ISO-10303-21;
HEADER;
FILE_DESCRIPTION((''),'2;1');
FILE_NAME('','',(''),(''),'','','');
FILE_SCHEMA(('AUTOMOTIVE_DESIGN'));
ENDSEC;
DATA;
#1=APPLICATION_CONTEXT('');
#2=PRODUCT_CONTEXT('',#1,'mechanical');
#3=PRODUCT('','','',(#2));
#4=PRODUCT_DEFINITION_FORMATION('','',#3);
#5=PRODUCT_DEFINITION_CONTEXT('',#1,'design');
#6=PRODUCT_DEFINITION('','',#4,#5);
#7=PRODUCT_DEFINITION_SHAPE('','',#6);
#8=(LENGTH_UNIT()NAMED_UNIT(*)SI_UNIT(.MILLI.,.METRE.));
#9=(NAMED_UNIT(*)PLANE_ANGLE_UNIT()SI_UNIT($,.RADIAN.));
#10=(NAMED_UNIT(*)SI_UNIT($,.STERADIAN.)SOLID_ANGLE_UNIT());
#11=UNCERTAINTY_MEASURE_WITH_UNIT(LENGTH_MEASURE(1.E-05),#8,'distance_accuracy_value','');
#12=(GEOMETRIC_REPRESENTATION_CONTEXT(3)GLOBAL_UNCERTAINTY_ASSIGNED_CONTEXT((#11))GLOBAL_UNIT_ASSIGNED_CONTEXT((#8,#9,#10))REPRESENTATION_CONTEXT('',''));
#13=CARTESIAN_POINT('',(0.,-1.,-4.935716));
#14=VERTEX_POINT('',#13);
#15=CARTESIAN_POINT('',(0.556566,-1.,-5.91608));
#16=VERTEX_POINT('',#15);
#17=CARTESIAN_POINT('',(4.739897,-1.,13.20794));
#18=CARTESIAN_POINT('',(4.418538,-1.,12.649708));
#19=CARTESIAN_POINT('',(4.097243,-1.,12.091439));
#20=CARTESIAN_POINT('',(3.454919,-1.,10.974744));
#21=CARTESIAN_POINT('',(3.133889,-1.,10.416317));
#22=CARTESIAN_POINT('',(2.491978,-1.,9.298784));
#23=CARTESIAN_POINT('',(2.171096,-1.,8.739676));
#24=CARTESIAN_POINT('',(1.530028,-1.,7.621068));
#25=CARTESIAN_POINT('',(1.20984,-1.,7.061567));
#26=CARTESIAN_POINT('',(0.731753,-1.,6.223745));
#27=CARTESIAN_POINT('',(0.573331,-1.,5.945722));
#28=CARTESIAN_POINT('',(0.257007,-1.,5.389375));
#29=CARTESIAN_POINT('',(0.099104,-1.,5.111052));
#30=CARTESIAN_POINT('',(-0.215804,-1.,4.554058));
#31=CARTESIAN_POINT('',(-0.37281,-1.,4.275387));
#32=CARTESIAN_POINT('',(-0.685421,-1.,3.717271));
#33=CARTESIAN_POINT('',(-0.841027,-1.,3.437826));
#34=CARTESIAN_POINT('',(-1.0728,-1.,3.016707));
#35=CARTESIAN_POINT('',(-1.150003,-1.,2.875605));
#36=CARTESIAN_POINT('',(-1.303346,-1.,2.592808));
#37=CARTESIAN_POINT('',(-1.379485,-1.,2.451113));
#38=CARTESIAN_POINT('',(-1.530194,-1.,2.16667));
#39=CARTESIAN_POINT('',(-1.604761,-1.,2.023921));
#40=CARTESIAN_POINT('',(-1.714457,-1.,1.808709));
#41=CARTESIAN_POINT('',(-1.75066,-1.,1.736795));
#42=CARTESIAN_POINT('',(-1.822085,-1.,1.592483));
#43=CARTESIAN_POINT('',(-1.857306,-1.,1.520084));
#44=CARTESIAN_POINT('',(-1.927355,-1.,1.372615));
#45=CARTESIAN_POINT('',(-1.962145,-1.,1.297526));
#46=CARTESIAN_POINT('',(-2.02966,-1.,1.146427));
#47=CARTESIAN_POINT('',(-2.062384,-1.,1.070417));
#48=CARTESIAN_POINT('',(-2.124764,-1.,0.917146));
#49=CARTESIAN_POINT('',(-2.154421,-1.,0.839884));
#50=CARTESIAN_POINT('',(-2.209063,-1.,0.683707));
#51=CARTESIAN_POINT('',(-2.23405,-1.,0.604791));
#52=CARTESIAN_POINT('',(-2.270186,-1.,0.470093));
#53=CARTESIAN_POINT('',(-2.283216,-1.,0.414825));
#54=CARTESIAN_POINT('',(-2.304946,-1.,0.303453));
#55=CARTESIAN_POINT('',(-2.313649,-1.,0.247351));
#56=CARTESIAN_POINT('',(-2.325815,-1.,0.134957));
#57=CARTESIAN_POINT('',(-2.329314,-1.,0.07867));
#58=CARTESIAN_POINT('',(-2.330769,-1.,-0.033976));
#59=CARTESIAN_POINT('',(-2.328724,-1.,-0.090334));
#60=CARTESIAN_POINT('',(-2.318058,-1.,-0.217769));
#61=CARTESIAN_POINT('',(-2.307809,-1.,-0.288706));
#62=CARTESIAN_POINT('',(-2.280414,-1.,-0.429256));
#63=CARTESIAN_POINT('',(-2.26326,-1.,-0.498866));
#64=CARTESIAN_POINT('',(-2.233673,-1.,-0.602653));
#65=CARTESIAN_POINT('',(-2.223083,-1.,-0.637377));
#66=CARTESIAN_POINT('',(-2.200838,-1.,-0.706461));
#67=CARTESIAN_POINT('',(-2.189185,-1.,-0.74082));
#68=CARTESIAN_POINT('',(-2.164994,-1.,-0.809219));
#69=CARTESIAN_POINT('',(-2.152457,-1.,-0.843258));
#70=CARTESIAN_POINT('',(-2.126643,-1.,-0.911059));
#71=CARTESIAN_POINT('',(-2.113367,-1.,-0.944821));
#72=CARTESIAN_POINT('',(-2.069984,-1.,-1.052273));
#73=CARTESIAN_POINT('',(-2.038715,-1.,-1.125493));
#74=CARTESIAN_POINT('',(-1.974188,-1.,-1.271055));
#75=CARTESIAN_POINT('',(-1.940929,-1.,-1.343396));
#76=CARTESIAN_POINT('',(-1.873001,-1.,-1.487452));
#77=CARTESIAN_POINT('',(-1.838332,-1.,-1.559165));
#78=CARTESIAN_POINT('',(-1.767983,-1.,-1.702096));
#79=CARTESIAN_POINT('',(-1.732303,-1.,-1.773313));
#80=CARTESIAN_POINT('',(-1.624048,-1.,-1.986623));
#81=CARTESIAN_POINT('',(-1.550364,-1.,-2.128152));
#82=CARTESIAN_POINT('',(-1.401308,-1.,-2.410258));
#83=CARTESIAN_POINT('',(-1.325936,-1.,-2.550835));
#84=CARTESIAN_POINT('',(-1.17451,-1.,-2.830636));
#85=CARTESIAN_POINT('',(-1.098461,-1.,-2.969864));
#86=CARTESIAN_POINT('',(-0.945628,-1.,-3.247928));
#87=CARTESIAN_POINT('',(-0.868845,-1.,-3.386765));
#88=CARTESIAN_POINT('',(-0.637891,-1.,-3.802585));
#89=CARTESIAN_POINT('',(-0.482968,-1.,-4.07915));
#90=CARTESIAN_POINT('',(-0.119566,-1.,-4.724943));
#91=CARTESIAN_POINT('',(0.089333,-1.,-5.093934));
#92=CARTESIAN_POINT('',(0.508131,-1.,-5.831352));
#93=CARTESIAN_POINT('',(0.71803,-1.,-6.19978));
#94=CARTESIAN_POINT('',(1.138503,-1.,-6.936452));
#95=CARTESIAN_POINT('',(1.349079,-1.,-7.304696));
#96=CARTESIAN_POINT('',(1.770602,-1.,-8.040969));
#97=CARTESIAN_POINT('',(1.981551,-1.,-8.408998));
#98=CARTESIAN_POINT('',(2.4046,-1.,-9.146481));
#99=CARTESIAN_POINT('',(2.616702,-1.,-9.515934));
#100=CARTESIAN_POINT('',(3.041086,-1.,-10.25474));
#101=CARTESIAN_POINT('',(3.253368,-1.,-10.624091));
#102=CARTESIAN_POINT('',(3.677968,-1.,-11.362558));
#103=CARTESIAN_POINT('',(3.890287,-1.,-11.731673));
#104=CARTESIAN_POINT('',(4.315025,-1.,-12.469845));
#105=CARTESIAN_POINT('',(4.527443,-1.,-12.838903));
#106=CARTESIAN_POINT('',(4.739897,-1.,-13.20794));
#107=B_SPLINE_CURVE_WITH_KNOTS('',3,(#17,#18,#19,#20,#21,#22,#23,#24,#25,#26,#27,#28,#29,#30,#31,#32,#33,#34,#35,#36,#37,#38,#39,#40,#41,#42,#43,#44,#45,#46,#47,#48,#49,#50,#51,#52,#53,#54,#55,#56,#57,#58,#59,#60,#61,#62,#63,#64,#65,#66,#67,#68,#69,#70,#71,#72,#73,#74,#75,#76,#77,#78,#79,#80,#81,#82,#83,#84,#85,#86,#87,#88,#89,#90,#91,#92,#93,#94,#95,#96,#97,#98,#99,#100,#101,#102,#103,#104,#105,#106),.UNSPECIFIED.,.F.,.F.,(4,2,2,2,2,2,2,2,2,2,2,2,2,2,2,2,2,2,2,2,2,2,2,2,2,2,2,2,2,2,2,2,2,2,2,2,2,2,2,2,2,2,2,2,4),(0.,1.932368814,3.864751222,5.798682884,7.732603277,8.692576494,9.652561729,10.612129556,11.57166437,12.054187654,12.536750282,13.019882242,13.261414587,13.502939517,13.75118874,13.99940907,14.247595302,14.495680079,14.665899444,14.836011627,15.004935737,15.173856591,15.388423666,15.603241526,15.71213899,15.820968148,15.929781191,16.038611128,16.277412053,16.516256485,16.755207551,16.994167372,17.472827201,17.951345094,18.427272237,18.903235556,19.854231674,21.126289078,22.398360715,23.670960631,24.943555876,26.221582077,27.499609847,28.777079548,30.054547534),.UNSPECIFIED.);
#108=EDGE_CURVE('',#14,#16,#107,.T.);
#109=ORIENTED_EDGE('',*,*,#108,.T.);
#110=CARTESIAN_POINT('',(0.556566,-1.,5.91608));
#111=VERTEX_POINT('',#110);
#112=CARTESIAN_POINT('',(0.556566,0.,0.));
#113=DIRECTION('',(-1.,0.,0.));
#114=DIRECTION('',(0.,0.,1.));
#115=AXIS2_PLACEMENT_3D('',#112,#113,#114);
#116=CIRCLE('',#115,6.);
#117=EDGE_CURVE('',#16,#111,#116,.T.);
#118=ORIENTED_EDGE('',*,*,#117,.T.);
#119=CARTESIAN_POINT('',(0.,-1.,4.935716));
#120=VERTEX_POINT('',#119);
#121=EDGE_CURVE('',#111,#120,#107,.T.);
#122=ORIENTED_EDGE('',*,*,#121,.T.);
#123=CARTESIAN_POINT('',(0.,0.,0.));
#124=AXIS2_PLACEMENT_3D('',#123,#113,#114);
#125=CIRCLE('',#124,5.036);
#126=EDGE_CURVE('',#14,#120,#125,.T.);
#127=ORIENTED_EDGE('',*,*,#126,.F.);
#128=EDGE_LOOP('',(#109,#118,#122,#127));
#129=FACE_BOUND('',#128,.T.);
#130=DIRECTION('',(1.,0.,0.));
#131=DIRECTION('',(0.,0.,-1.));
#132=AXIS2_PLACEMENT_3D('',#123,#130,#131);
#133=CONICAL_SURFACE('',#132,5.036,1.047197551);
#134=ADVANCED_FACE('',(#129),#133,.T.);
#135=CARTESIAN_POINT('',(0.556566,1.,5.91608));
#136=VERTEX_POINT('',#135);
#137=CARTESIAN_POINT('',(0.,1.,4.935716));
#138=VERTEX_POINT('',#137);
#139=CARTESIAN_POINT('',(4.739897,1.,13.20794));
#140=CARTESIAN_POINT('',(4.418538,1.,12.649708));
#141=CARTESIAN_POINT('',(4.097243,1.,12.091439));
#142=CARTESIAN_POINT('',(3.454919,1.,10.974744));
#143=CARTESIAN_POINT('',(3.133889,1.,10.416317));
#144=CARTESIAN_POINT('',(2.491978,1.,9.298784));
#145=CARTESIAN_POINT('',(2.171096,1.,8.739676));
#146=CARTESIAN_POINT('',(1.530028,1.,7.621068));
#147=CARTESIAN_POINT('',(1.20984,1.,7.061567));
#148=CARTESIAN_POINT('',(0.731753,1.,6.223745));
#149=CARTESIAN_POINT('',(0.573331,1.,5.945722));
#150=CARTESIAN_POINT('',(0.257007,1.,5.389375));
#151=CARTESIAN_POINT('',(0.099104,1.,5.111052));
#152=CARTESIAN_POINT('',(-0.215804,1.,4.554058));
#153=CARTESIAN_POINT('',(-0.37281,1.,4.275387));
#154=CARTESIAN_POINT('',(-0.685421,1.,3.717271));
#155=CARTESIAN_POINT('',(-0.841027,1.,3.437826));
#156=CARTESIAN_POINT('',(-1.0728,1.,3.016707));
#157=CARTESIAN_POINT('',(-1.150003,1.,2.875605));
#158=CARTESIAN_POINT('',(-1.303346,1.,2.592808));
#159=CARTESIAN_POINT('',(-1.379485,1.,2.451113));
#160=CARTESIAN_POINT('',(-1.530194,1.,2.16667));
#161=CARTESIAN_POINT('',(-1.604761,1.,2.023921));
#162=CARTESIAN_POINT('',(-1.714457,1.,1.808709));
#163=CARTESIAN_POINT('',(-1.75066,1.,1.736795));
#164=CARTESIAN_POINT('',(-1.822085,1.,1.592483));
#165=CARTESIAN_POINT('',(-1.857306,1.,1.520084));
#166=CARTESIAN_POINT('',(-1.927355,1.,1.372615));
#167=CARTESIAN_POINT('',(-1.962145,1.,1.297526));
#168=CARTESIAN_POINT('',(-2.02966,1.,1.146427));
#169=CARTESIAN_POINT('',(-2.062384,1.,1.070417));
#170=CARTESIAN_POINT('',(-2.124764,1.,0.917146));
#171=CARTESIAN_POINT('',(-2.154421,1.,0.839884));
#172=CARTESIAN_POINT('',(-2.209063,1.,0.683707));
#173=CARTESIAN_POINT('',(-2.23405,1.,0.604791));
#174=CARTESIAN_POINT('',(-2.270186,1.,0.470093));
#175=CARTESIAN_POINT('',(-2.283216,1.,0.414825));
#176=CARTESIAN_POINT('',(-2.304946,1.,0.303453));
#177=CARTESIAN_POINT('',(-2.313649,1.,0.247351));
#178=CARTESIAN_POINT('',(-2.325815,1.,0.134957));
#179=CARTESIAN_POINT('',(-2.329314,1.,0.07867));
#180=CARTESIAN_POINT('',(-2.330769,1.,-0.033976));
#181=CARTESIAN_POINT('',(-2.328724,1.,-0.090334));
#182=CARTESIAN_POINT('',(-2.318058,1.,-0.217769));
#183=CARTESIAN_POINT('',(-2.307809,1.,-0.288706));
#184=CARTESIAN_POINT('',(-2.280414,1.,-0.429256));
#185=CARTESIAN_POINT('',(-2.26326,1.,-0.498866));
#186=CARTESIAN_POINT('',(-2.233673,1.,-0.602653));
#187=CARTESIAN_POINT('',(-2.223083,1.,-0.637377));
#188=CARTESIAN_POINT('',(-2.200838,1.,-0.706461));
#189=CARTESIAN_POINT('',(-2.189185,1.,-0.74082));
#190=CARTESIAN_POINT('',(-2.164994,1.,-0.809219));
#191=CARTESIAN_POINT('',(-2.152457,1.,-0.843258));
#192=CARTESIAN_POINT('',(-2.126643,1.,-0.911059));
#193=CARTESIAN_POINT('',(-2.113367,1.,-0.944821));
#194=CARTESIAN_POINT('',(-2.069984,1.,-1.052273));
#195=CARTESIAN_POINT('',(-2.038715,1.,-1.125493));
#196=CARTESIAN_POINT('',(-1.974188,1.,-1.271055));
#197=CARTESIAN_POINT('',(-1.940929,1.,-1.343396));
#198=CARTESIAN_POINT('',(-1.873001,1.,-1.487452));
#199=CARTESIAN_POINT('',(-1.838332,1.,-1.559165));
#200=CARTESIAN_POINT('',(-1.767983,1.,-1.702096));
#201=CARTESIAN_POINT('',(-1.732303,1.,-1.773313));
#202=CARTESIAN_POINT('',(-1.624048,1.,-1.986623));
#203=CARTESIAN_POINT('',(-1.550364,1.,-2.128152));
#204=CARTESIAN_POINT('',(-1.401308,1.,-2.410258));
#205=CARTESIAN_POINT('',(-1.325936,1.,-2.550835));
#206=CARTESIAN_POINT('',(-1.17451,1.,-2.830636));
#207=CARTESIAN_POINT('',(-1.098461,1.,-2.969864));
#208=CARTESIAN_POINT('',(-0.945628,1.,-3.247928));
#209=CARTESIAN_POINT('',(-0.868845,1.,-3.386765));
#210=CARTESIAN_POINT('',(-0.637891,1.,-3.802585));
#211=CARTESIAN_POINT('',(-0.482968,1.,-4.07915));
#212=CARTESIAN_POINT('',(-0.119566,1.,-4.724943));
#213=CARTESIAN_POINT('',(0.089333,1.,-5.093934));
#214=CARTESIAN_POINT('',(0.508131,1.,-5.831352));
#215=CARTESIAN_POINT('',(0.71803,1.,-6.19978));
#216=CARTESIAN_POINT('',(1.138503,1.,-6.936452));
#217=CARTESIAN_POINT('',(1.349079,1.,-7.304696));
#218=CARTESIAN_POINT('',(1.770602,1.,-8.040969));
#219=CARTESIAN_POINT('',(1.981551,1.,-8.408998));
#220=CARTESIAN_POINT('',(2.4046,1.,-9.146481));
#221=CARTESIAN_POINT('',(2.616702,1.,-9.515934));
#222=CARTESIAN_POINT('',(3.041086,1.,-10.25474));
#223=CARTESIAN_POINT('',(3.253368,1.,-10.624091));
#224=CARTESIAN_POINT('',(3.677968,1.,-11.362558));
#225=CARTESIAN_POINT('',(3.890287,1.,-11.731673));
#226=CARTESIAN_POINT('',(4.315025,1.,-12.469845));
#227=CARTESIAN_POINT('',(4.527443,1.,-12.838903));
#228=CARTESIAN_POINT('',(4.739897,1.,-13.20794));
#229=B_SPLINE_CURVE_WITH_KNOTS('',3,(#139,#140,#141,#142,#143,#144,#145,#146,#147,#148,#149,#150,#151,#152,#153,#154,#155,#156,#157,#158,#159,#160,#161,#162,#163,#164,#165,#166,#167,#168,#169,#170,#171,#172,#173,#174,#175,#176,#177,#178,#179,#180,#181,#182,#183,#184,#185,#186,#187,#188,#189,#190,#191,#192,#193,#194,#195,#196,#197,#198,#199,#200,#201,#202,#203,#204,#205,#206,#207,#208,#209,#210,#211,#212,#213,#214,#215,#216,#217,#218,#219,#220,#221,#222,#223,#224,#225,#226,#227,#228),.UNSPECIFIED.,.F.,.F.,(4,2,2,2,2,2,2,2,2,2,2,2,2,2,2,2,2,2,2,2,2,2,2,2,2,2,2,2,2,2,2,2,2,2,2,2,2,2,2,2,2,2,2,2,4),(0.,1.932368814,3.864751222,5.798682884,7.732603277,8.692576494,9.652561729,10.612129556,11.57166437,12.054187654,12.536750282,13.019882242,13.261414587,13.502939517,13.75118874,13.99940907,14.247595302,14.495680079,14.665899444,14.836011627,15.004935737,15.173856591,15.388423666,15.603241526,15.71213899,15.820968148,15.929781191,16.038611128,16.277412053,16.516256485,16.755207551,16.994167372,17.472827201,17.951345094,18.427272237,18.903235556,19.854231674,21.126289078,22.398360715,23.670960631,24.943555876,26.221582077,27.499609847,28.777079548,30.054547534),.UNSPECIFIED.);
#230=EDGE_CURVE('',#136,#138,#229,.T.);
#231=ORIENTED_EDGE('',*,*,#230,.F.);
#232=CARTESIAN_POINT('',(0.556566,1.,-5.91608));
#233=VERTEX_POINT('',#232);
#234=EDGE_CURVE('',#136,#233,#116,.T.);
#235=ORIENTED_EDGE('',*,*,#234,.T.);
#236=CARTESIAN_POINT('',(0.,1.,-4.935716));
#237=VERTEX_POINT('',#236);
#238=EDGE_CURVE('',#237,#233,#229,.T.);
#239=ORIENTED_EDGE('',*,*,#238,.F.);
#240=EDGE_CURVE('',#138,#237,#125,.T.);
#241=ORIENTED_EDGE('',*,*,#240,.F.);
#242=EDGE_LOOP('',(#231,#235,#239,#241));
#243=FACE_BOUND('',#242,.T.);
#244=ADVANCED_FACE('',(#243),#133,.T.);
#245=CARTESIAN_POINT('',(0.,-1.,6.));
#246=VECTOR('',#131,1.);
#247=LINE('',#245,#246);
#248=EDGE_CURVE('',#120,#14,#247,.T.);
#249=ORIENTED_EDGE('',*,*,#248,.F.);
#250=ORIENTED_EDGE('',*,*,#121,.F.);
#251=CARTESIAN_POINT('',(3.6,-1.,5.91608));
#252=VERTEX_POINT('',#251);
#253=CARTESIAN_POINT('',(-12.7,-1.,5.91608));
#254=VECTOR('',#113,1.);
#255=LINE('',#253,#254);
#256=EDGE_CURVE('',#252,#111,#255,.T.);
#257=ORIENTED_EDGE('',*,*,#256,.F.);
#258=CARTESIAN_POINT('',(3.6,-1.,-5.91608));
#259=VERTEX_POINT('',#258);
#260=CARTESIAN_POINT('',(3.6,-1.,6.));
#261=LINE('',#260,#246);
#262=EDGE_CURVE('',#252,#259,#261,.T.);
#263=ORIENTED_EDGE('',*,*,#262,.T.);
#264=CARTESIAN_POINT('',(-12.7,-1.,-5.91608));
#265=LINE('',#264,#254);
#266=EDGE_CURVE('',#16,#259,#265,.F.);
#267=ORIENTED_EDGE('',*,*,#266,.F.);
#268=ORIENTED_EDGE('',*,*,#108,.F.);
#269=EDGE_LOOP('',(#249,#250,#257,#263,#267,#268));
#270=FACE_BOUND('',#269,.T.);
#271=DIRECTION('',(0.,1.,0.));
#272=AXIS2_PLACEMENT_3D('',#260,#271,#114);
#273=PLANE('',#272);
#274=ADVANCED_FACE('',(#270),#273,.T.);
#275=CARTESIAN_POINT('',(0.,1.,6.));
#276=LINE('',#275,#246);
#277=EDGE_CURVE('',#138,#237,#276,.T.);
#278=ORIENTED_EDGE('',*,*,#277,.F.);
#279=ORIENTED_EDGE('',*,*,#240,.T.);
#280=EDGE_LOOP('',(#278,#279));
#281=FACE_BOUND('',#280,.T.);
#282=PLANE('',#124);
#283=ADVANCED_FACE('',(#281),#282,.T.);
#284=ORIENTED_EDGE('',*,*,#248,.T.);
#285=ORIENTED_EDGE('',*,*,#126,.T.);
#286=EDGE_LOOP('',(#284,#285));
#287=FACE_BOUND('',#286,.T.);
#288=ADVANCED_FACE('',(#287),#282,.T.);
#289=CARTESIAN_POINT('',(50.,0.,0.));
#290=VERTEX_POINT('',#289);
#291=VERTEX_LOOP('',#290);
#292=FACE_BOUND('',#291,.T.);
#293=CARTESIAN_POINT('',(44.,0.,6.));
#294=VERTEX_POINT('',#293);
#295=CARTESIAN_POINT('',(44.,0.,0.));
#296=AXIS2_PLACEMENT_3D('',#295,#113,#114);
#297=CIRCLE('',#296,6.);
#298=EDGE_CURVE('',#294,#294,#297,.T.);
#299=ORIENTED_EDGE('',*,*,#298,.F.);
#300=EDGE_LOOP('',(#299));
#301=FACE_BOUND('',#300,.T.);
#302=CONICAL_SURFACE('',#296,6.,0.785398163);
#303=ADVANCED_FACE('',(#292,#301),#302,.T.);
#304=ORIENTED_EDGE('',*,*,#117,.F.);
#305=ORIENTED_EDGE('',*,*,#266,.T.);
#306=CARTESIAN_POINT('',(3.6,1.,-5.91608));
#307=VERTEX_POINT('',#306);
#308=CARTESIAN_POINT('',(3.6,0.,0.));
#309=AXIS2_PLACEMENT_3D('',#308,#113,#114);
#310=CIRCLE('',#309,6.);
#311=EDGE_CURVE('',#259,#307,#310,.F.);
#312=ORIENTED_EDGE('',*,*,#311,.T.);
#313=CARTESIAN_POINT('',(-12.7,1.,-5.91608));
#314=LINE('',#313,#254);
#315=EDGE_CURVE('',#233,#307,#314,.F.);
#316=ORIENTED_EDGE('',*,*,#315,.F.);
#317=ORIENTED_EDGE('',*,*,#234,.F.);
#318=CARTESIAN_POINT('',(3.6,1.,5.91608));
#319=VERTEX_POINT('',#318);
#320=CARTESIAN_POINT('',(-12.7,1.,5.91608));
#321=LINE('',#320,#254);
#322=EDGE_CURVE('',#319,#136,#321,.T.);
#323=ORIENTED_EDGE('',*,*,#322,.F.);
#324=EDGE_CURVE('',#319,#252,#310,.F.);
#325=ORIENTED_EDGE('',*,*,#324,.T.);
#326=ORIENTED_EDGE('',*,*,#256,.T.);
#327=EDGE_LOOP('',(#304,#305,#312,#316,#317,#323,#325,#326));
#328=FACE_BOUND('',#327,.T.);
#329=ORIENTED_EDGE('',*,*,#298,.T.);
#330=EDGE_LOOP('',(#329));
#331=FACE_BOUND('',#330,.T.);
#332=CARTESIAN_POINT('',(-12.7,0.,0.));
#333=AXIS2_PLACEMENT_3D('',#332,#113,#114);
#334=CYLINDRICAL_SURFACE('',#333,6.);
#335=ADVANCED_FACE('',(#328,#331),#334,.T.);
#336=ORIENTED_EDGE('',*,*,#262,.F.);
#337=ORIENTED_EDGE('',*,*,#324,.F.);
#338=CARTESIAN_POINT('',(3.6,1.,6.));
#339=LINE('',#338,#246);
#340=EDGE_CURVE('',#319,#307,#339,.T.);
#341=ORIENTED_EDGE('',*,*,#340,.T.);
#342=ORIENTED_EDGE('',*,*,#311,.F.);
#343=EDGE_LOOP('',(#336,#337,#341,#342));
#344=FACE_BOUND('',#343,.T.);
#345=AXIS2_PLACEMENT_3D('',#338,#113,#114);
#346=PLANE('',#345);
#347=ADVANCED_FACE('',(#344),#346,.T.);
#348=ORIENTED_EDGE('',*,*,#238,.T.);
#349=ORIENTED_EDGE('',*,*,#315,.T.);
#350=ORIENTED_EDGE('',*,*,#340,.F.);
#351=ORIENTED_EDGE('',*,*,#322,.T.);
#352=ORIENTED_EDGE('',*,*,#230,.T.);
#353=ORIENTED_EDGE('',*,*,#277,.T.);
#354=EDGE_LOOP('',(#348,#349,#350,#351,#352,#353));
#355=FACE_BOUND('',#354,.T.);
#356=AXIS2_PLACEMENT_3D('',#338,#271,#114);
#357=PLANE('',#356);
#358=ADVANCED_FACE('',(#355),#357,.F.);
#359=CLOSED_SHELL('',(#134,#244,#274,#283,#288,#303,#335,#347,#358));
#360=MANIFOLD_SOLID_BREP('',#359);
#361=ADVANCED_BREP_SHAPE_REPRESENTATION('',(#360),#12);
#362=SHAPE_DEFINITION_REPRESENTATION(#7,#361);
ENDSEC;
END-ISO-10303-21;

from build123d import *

# Parameters (mm, degrees)
SKETCH2_W  = 12
SKETCH2_H  = 2
SLOT_DEPTH = 3.6


with BuildPart() as part:
    # BodySke → BaseBody (revolve)
    with BuildSketch(Plane.XY, mode=Mode.PRIVATE) as basebody_sk:
        Polygon((0, 0), (0, 5.036), (0.556565659, 6), (44, 6), (50, 0), align=None)
    revolve(basebody_sk.sketch.rotate(Axis((-12.7, 0, 0), (1, 0, 0)), 90), axis=Axis((-12.7, 0, 0), (1, 0, 0)))

    # Sketch2 → Slot (cut)
    with BuildSketch(Plane.ZY):
        Rectangle(SKETCH2_W, SKETCH2_H)
    extrude(amount=-SLOT_DEPTH, mode=Mode.SUBTRACT)


solid = part.part
